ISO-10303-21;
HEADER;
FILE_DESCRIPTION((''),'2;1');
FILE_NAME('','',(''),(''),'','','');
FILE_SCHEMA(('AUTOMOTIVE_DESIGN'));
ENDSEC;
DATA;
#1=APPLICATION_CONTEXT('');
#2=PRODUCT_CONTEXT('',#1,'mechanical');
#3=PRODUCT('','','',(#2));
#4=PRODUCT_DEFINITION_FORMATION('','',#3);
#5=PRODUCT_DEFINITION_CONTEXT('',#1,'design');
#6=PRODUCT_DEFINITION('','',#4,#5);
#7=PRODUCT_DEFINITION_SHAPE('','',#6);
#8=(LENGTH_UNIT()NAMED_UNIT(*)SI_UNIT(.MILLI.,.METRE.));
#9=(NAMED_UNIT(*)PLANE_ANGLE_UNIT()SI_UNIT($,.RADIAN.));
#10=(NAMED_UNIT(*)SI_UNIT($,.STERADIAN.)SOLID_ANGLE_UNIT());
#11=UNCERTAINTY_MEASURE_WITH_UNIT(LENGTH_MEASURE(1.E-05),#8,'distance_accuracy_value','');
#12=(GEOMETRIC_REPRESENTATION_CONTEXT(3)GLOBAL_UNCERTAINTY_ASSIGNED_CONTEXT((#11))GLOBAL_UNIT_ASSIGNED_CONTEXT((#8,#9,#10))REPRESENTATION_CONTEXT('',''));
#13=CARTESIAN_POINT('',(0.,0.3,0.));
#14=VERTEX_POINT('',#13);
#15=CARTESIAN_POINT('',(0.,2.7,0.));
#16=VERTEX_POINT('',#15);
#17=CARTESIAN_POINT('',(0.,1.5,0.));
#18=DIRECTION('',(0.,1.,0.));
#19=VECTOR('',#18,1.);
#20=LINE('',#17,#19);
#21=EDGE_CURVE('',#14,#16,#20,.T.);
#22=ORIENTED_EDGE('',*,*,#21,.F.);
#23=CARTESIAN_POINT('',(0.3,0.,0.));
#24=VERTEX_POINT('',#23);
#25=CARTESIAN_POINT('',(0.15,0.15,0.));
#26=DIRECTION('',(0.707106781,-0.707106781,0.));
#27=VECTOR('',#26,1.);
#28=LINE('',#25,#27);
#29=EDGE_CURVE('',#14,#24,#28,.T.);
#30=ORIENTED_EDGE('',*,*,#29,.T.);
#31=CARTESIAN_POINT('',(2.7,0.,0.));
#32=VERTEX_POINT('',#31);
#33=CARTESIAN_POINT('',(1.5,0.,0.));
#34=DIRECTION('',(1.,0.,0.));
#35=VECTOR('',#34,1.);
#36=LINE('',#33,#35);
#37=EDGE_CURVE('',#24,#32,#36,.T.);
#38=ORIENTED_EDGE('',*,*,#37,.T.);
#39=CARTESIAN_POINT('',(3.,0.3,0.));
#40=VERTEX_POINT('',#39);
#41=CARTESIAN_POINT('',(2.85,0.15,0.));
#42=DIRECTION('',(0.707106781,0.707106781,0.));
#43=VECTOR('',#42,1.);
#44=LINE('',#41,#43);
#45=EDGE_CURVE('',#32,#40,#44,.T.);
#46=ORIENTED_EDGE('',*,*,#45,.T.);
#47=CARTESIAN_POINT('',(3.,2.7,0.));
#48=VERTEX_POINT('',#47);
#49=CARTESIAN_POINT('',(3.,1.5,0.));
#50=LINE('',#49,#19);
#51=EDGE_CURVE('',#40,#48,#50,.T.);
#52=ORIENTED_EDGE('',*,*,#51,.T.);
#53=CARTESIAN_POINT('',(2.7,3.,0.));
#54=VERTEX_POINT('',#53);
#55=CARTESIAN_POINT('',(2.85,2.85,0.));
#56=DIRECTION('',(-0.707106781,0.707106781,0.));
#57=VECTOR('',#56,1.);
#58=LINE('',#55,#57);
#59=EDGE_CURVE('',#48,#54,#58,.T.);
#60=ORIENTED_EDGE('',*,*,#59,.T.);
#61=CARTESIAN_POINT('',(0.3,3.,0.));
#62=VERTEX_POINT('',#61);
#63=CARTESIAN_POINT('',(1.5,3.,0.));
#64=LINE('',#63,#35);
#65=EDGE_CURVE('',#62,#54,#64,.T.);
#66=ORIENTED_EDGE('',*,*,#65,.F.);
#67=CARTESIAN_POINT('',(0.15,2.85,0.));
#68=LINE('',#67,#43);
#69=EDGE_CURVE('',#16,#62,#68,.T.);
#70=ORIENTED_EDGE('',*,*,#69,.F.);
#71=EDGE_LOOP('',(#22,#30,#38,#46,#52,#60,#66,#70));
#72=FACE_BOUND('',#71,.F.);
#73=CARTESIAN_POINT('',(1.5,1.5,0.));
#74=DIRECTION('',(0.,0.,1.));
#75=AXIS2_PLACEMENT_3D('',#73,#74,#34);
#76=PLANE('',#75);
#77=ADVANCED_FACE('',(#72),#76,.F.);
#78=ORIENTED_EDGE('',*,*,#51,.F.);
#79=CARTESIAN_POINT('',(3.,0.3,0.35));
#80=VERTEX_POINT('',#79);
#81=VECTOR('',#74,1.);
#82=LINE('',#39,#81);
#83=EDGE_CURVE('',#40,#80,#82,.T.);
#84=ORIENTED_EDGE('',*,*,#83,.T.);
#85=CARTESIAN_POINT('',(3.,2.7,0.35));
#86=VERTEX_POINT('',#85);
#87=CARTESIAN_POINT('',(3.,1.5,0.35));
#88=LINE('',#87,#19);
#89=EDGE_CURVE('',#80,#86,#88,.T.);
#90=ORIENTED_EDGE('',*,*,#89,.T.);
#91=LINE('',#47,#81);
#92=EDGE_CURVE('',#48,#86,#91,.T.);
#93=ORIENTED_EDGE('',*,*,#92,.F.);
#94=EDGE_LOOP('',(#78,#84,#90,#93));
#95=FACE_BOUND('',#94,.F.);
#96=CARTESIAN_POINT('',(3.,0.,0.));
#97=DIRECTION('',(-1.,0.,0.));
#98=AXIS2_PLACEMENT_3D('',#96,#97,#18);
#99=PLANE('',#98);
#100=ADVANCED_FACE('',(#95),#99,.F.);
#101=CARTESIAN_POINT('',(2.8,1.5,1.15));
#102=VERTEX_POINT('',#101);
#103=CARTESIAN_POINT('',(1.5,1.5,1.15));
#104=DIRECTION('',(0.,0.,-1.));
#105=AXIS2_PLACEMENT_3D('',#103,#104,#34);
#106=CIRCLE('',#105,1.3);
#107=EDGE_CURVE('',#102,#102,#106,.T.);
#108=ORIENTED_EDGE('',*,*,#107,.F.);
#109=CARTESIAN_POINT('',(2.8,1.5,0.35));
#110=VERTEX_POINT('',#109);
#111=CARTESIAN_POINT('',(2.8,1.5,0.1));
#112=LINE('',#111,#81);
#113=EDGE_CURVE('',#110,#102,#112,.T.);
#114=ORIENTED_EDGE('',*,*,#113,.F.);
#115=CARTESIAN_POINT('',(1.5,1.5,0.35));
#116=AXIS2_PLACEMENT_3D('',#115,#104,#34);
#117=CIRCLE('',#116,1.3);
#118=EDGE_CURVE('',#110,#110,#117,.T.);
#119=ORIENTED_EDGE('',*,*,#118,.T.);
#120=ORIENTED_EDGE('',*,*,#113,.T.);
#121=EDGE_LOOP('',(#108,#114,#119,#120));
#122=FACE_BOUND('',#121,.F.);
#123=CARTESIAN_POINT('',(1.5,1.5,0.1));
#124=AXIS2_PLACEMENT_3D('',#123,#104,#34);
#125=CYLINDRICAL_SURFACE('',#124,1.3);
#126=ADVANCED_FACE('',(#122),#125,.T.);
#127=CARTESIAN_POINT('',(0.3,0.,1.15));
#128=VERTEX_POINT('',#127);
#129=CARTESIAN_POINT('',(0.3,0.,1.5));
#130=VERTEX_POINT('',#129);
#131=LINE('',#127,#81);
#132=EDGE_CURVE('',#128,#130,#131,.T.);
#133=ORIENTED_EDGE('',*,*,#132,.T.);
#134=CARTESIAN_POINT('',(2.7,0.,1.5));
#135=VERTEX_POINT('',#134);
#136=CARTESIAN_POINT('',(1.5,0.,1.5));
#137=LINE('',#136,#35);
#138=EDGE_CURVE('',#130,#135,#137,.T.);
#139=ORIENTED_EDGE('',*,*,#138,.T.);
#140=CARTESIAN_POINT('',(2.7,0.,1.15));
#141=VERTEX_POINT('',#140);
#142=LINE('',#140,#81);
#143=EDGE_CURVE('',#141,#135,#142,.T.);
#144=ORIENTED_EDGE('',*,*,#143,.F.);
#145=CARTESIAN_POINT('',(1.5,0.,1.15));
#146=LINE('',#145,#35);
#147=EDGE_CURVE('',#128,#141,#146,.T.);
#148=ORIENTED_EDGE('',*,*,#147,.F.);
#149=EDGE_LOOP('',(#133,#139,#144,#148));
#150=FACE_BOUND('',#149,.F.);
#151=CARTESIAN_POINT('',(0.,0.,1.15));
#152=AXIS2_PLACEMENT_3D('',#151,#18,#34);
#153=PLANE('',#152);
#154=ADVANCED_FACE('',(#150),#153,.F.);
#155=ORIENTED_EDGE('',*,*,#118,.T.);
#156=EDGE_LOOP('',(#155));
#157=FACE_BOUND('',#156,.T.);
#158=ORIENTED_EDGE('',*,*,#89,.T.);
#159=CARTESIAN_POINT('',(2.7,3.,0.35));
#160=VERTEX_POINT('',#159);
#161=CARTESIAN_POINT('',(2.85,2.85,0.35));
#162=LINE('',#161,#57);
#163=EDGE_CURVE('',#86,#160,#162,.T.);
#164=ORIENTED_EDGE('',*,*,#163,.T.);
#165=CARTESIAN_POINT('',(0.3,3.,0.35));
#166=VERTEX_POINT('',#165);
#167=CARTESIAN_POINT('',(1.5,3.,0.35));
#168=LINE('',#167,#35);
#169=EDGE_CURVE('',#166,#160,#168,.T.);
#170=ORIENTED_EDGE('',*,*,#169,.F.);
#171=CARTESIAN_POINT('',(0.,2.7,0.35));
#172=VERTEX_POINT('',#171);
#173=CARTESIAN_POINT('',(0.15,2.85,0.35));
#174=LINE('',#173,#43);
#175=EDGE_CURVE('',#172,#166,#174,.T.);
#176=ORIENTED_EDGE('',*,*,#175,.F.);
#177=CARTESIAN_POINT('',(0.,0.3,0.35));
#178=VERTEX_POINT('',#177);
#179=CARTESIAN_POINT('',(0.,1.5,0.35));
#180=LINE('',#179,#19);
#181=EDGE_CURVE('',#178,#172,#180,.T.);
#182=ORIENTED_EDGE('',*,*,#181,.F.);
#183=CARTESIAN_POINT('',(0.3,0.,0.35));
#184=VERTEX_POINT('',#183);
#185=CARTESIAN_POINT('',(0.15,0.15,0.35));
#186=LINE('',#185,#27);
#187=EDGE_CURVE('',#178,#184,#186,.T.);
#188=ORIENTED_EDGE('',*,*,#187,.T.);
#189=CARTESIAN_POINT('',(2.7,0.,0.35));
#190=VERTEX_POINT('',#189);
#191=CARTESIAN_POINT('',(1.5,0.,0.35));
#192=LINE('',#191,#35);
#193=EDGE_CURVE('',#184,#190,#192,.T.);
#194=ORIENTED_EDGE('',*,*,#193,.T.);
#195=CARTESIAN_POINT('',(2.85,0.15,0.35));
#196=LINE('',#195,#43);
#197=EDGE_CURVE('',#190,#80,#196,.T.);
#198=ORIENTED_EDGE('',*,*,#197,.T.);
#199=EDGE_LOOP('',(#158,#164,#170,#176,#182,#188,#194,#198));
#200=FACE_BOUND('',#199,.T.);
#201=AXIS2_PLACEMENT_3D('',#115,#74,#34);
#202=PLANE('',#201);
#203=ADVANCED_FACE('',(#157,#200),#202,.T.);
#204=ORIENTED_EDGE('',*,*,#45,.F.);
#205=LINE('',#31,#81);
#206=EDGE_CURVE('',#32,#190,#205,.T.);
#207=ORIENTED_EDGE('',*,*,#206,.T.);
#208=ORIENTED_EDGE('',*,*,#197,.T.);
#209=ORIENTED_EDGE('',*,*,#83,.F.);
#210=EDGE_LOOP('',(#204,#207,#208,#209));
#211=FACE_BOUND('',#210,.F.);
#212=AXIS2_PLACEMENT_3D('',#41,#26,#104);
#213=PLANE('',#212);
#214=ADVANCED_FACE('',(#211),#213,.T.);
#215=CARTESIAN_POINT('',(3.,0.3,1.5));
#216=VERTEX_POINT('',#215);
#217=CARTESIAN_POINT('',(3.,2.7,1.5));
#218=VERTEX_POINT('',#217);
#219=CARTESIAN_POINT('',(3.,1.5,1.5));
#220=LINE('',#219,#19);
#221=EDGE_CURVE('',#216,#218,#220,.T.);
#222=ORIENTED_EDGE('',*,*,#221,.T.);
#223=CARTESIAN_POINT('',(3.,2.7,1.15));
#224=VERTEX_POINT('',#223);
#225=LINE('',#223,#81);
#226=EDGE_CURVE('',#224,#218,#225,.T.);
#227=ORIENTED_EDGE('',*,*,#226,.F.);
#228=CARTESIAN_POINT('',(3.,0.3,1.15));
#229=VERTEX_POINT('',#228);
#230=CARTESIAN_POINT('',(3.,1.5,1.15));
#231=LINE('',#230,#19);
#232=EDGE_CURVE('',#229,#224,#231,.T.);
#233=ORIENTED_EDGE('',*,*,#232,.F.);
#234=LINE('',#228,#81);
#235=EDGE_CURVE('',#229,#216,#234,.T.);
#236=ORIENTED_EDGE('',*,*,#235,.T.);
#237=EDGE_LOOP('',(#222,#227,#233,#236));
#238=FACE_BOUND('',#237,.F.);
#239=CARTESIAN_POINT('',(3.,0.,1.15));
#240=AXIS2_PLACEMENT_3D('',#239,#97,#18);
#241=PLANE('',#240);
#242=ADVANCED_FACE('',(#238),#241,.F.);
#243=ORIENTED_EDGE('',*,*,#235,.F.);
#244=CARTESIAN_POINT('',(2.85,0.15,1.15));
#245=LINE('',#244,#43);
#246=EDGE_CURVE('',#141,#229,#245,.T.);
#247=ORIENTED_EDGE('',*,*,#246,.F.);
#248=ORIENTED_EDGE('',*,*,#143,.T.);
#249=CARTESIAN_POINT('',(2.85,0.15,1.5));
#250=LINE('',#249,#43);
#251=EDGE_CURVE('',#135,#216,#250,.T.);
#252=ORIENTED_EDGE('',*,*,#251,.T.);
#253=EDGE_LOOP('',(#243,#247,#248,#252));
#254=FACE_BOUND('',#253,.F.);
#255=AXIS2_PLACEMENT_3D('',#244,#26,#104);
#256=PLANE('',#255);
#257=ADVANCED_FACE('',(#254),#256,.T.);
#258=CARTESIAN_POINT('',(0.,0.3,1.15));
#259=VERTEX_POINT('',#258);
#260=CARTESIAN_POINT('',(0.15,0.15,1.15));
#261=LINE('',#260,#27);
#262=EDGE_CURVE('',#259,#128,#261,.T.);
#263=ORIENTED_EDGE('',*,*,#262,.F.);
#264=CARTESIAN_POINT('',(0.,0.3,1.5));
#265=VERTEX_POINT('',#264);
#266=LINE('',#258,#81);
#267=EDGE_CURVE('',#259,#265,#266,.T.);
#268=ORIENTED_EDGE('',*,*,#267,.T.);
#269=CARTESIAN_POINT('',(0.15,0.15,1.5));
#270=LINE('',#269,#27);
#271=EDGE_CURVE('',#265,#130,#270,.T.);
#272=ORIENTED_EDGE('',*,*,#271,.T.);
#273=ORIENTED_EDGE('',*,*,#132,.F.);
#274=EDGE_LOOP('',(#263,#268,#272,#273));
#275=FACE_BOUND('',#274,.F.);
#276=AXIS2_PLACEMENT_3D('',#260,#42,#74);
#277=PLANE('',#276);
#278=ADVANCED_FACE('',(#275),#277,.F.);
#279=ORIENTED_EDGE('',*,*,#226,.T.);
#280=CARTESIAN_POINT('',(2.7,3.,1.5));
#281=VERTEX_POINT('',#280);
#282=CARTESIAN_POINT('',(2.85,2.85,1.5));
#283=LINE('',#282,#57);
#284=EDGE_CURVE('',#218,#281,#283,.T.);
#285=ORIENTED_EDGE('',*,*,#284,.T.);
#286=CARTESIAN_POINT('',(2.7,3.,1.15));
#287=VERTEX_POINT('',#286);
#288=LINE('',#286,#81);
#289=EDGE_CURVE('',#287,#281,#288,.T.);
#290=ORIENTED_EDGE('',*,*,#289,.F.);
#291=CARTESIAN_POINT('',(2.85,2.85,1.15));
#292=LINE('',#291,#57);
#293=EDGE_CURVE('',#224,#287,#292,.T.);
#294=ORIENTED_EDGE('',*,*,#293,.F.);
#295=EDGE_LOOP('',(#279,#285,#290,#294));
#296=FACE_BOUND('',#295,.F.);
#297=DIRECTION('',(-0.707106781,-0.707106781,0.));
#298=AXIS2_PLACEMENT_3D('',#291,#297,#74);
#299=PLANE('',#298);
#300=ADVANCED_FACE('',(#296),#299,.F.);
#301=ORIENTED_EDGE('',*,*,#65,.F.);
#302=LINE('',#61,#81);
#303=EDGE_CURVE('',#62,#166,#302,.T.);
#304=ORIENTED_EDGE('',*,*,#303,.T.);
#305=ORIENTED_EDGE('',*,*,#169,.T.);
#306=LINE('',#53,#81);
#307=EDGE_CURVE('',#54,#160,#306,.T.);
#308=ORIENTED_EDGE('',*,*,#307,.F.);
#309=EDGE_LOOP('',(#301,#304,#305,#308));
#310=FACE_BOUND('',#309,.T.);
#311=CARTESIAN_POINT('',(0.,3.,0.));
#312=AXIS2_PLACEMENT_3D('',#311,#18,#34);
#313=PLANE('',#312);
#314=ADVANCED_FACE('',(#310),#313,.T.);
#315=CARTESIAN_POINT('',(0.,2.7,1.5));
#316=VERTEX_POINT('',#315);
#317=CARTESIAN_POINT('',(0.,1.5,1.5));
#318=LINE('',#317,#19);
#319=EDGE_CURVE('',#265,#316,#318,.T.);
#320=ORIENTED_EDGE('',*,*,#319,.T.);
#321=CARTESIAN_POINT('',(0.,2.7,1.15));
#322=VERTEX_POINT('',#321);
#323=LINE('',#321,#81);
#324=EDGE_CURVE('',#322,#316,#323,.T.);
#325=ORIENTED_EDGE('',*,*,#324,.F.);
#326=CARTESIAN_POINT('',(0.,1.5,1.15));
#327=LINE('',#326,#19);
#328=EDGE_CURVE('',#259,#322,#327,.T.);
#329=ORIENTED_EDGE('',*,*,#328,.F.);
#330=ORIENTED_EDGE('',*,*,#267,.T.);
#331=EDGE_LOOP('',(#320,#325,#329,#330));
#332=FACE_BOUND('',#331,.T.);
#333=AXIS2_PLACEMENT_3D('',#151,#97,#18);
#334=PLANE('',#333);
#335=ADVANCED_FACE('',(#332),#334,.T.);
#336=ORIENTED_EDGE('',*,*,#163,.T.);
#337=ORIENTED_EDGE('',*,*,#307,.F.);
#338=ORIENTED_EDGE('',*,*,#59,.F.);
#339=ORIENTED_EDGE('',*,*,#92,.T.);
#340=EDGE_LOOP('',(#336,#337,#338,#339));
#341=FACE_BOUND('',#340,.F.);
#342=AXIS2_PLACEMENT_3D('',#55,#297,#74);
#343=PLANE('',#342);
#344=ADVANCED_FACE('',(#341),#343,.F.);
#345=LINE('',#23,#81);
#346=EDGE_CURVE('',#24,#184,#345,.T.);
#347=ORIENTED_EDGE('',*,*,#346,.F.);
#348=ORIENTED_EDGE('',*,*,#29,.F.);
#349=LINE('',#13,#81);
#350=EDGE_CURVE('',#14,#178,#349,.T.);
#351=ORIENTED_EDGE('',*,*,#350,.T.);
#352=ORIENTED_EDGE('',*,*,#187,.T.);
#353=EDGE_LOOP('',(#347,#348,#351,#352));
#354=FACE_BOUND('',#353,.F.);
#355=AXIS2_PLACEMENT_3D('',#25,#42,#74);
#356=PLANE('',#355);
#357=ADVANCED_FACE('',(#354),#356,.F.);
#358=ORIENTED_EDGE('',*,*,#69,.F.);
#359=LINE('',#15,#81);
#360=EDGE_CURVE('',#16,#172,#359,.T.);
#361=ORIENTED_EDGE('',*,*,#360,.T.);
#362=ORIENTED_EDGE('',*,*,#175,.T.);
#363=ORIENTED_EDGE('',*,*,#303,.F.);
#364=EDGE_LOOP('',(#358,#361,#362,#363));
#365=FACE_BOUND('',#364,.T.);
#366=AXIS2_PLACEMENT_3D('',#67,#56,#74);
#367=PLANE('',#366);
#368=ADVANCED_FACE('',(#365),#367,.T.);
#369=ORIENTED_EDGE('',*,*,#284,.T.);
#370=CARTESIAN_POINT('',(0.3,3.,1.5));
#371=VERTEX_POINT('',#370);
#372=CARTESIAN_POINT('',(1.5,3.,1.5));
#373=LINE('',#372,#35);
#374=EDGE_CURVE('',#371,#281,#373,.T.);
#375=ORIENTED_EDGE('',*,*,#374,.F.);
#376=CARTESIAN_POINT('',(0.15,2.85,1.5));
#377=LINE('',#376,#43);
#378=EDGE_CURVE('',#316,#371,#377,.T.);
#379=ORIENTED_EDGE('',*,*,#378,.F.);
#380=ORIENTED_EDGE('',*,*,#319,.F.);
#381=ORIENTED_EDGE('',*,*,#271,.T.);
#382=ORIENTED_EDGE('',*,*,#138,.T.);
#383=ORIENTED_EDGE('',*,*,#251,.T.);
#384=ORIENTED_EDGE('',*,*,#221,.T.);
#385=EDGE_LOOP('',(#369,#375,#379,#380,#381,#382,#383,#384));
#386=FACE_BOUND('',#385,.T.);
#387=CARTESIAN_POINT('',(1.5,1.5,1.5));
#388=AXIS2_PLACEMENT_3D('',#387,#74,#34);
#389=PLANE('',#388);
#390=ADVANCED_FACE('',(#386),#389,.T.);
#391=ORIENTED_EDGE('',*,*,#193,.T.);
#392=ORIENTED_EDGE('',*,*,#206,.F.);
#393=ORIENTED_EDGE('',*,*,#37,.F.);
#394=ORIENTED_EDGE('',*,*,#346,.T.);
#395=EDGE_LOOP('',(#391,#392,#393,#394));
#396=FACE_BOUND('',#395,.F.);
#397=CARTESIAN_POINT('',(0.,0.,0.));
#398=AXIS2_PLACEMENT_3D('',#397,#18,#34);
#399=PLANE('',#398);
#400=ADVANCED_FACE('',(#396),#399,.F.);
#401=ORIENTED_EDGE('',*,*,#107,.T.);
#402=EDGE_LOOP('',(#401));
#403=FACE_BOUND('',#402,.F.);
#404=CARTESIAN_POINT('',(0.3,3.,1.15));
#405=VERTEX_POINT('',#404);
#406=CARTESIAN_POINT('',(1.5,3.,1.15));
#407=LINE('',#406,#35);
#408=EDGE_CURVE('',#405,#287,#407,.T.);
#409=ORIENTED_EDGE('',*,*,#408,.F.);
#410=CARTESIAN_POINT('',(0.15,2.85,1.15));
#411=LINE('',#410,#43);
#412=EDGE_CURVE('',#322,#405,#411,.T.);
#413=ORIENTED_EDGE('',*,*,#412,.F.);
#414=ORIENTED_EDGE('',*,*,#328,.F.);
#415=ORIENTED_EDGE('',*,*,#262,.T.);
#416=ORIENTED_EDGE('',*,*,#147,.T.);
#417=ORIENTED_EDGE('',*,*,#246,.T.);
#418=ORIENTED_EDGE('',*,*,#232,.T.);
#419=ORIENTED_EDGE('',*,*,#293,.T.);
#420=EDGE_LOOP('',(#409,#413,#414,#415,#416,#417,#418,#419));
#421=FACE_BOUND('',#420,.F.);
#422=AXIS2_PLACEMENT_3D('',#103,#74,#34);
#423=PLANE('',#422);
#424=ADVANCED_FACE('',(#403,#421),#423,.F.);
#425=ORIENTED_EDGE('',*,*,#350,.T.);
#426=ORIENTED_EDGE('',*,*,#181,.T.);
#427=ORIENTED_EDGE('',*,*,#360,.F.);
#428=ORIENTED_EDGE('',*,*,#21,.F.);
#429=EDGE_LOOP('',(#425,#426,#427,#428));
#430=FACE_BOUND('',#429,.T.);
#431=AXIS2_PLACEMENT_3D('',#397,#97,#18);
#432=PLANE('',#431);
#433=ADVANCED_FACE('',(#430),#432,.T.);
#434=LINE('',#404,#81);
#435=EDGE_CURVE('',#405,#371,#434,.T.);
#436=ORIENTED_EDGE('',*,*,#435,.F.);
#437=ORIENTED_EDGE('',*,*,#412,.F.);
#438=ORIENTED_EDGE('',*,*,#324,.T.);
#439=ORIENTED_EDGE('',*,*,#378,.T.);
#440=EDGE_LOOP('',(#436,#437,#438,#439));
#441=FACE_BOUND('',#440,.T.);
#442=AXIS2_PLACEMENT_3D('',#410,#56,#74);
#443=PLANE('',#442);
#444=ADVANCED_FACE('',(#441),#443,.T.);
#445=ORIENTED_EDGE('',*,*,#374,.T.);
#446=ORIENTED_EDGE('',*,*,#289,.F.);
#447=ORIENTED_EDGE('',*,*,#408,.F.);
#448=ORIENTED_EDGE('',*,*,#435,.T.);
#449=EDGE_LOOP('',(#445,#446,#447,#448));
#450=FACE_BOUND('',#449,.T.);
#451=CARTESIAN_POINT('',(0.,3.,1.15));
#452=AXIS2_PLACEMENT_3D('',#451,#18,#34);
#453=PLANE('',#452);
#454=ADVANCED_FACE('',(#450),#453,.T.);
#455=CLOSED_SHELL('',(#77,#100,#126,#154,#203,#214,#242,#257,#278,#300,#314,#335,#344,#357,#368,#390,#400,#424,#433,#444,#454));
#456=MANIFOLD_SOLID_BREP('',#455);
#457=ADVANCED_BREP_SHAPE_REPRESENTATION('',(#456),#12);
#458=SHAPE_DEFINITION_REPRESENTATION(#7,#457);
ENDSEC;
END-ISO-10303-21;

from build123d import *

# Parameters (mm, degrees)
BOX001_W        = 3
BOX001_H        = 3
BOX001_DEPTH    = 0.35
CHAMFER001_SIZE = 0.3
CYLINDER_R      = 1.3
CYLINDER_DEPTH  = 1.3
BOX_W           = 3
BOX_H           = 3
BOX_DEPTH       = 0.35
CHAMFER_SIZE    = 0.3


with BuildPart() as chamfer001:
    # Box001 → Box001 (new body)
    with BuildSketch(Plane.XY):
        with Locations((1.5, 1.5)):
            Rectangle(BOX001_W, BOX001_H)
    extrude(amount=BOX001_DEPTH)

    # Chamfer001
    chamfer001_edges = [chamfer001.edges().sort_by_distance(p)[0] for p in [
        (0, 0, 0.175),
        (0, 3, 0.175),
        (3, 0, 0.175),
        (3, 3, 0.175),
    ]]
    chamfer(chamfer001_edges, length=CHAMFER001_SIZE)


with BuildPart() as chamfer001_1:
    # Chamfer001 placement: moved
    add(chamfer001.part.moved(Location((0, 0, 1.15))))


with BuildPart() as henger:
    # Cylinder → Cylinder (new body)
    with BuildSketch(Plane(origin=(1.5, 1.5, 0.1), x_dir=(1, 0, 0), z_dir=(0, 0, 1))):
        Circle(CYLINDER_R)
    extrude(amount=CYLINDER_DEPTH)


with BuildPart() as fusion:
    # Box → Box (new body)
    with BuildSketch(Plane.XY):
        with Locations((1.5, 1.5)):
            Rectangle(BOX_W, BOX_H)
    extrude(amount=BOX_DEPTH)

    # Chamfer
    chamfer_edges = [fusion.edges().sort_by_distance(p)[0] for p in [
        (0, 0, 0.175),
        (0, 3, 0.175),
        (3, 0, 0.175),
        (3, 3, 0.175),
    ]]
    chamfer(chamfer_edges, length=CHAMFER_SIZE)

    # Fusion: union Chamfer001, Henger
    add(chamfer001_1.part)
    add(henger.part)


solid = fusion.part
